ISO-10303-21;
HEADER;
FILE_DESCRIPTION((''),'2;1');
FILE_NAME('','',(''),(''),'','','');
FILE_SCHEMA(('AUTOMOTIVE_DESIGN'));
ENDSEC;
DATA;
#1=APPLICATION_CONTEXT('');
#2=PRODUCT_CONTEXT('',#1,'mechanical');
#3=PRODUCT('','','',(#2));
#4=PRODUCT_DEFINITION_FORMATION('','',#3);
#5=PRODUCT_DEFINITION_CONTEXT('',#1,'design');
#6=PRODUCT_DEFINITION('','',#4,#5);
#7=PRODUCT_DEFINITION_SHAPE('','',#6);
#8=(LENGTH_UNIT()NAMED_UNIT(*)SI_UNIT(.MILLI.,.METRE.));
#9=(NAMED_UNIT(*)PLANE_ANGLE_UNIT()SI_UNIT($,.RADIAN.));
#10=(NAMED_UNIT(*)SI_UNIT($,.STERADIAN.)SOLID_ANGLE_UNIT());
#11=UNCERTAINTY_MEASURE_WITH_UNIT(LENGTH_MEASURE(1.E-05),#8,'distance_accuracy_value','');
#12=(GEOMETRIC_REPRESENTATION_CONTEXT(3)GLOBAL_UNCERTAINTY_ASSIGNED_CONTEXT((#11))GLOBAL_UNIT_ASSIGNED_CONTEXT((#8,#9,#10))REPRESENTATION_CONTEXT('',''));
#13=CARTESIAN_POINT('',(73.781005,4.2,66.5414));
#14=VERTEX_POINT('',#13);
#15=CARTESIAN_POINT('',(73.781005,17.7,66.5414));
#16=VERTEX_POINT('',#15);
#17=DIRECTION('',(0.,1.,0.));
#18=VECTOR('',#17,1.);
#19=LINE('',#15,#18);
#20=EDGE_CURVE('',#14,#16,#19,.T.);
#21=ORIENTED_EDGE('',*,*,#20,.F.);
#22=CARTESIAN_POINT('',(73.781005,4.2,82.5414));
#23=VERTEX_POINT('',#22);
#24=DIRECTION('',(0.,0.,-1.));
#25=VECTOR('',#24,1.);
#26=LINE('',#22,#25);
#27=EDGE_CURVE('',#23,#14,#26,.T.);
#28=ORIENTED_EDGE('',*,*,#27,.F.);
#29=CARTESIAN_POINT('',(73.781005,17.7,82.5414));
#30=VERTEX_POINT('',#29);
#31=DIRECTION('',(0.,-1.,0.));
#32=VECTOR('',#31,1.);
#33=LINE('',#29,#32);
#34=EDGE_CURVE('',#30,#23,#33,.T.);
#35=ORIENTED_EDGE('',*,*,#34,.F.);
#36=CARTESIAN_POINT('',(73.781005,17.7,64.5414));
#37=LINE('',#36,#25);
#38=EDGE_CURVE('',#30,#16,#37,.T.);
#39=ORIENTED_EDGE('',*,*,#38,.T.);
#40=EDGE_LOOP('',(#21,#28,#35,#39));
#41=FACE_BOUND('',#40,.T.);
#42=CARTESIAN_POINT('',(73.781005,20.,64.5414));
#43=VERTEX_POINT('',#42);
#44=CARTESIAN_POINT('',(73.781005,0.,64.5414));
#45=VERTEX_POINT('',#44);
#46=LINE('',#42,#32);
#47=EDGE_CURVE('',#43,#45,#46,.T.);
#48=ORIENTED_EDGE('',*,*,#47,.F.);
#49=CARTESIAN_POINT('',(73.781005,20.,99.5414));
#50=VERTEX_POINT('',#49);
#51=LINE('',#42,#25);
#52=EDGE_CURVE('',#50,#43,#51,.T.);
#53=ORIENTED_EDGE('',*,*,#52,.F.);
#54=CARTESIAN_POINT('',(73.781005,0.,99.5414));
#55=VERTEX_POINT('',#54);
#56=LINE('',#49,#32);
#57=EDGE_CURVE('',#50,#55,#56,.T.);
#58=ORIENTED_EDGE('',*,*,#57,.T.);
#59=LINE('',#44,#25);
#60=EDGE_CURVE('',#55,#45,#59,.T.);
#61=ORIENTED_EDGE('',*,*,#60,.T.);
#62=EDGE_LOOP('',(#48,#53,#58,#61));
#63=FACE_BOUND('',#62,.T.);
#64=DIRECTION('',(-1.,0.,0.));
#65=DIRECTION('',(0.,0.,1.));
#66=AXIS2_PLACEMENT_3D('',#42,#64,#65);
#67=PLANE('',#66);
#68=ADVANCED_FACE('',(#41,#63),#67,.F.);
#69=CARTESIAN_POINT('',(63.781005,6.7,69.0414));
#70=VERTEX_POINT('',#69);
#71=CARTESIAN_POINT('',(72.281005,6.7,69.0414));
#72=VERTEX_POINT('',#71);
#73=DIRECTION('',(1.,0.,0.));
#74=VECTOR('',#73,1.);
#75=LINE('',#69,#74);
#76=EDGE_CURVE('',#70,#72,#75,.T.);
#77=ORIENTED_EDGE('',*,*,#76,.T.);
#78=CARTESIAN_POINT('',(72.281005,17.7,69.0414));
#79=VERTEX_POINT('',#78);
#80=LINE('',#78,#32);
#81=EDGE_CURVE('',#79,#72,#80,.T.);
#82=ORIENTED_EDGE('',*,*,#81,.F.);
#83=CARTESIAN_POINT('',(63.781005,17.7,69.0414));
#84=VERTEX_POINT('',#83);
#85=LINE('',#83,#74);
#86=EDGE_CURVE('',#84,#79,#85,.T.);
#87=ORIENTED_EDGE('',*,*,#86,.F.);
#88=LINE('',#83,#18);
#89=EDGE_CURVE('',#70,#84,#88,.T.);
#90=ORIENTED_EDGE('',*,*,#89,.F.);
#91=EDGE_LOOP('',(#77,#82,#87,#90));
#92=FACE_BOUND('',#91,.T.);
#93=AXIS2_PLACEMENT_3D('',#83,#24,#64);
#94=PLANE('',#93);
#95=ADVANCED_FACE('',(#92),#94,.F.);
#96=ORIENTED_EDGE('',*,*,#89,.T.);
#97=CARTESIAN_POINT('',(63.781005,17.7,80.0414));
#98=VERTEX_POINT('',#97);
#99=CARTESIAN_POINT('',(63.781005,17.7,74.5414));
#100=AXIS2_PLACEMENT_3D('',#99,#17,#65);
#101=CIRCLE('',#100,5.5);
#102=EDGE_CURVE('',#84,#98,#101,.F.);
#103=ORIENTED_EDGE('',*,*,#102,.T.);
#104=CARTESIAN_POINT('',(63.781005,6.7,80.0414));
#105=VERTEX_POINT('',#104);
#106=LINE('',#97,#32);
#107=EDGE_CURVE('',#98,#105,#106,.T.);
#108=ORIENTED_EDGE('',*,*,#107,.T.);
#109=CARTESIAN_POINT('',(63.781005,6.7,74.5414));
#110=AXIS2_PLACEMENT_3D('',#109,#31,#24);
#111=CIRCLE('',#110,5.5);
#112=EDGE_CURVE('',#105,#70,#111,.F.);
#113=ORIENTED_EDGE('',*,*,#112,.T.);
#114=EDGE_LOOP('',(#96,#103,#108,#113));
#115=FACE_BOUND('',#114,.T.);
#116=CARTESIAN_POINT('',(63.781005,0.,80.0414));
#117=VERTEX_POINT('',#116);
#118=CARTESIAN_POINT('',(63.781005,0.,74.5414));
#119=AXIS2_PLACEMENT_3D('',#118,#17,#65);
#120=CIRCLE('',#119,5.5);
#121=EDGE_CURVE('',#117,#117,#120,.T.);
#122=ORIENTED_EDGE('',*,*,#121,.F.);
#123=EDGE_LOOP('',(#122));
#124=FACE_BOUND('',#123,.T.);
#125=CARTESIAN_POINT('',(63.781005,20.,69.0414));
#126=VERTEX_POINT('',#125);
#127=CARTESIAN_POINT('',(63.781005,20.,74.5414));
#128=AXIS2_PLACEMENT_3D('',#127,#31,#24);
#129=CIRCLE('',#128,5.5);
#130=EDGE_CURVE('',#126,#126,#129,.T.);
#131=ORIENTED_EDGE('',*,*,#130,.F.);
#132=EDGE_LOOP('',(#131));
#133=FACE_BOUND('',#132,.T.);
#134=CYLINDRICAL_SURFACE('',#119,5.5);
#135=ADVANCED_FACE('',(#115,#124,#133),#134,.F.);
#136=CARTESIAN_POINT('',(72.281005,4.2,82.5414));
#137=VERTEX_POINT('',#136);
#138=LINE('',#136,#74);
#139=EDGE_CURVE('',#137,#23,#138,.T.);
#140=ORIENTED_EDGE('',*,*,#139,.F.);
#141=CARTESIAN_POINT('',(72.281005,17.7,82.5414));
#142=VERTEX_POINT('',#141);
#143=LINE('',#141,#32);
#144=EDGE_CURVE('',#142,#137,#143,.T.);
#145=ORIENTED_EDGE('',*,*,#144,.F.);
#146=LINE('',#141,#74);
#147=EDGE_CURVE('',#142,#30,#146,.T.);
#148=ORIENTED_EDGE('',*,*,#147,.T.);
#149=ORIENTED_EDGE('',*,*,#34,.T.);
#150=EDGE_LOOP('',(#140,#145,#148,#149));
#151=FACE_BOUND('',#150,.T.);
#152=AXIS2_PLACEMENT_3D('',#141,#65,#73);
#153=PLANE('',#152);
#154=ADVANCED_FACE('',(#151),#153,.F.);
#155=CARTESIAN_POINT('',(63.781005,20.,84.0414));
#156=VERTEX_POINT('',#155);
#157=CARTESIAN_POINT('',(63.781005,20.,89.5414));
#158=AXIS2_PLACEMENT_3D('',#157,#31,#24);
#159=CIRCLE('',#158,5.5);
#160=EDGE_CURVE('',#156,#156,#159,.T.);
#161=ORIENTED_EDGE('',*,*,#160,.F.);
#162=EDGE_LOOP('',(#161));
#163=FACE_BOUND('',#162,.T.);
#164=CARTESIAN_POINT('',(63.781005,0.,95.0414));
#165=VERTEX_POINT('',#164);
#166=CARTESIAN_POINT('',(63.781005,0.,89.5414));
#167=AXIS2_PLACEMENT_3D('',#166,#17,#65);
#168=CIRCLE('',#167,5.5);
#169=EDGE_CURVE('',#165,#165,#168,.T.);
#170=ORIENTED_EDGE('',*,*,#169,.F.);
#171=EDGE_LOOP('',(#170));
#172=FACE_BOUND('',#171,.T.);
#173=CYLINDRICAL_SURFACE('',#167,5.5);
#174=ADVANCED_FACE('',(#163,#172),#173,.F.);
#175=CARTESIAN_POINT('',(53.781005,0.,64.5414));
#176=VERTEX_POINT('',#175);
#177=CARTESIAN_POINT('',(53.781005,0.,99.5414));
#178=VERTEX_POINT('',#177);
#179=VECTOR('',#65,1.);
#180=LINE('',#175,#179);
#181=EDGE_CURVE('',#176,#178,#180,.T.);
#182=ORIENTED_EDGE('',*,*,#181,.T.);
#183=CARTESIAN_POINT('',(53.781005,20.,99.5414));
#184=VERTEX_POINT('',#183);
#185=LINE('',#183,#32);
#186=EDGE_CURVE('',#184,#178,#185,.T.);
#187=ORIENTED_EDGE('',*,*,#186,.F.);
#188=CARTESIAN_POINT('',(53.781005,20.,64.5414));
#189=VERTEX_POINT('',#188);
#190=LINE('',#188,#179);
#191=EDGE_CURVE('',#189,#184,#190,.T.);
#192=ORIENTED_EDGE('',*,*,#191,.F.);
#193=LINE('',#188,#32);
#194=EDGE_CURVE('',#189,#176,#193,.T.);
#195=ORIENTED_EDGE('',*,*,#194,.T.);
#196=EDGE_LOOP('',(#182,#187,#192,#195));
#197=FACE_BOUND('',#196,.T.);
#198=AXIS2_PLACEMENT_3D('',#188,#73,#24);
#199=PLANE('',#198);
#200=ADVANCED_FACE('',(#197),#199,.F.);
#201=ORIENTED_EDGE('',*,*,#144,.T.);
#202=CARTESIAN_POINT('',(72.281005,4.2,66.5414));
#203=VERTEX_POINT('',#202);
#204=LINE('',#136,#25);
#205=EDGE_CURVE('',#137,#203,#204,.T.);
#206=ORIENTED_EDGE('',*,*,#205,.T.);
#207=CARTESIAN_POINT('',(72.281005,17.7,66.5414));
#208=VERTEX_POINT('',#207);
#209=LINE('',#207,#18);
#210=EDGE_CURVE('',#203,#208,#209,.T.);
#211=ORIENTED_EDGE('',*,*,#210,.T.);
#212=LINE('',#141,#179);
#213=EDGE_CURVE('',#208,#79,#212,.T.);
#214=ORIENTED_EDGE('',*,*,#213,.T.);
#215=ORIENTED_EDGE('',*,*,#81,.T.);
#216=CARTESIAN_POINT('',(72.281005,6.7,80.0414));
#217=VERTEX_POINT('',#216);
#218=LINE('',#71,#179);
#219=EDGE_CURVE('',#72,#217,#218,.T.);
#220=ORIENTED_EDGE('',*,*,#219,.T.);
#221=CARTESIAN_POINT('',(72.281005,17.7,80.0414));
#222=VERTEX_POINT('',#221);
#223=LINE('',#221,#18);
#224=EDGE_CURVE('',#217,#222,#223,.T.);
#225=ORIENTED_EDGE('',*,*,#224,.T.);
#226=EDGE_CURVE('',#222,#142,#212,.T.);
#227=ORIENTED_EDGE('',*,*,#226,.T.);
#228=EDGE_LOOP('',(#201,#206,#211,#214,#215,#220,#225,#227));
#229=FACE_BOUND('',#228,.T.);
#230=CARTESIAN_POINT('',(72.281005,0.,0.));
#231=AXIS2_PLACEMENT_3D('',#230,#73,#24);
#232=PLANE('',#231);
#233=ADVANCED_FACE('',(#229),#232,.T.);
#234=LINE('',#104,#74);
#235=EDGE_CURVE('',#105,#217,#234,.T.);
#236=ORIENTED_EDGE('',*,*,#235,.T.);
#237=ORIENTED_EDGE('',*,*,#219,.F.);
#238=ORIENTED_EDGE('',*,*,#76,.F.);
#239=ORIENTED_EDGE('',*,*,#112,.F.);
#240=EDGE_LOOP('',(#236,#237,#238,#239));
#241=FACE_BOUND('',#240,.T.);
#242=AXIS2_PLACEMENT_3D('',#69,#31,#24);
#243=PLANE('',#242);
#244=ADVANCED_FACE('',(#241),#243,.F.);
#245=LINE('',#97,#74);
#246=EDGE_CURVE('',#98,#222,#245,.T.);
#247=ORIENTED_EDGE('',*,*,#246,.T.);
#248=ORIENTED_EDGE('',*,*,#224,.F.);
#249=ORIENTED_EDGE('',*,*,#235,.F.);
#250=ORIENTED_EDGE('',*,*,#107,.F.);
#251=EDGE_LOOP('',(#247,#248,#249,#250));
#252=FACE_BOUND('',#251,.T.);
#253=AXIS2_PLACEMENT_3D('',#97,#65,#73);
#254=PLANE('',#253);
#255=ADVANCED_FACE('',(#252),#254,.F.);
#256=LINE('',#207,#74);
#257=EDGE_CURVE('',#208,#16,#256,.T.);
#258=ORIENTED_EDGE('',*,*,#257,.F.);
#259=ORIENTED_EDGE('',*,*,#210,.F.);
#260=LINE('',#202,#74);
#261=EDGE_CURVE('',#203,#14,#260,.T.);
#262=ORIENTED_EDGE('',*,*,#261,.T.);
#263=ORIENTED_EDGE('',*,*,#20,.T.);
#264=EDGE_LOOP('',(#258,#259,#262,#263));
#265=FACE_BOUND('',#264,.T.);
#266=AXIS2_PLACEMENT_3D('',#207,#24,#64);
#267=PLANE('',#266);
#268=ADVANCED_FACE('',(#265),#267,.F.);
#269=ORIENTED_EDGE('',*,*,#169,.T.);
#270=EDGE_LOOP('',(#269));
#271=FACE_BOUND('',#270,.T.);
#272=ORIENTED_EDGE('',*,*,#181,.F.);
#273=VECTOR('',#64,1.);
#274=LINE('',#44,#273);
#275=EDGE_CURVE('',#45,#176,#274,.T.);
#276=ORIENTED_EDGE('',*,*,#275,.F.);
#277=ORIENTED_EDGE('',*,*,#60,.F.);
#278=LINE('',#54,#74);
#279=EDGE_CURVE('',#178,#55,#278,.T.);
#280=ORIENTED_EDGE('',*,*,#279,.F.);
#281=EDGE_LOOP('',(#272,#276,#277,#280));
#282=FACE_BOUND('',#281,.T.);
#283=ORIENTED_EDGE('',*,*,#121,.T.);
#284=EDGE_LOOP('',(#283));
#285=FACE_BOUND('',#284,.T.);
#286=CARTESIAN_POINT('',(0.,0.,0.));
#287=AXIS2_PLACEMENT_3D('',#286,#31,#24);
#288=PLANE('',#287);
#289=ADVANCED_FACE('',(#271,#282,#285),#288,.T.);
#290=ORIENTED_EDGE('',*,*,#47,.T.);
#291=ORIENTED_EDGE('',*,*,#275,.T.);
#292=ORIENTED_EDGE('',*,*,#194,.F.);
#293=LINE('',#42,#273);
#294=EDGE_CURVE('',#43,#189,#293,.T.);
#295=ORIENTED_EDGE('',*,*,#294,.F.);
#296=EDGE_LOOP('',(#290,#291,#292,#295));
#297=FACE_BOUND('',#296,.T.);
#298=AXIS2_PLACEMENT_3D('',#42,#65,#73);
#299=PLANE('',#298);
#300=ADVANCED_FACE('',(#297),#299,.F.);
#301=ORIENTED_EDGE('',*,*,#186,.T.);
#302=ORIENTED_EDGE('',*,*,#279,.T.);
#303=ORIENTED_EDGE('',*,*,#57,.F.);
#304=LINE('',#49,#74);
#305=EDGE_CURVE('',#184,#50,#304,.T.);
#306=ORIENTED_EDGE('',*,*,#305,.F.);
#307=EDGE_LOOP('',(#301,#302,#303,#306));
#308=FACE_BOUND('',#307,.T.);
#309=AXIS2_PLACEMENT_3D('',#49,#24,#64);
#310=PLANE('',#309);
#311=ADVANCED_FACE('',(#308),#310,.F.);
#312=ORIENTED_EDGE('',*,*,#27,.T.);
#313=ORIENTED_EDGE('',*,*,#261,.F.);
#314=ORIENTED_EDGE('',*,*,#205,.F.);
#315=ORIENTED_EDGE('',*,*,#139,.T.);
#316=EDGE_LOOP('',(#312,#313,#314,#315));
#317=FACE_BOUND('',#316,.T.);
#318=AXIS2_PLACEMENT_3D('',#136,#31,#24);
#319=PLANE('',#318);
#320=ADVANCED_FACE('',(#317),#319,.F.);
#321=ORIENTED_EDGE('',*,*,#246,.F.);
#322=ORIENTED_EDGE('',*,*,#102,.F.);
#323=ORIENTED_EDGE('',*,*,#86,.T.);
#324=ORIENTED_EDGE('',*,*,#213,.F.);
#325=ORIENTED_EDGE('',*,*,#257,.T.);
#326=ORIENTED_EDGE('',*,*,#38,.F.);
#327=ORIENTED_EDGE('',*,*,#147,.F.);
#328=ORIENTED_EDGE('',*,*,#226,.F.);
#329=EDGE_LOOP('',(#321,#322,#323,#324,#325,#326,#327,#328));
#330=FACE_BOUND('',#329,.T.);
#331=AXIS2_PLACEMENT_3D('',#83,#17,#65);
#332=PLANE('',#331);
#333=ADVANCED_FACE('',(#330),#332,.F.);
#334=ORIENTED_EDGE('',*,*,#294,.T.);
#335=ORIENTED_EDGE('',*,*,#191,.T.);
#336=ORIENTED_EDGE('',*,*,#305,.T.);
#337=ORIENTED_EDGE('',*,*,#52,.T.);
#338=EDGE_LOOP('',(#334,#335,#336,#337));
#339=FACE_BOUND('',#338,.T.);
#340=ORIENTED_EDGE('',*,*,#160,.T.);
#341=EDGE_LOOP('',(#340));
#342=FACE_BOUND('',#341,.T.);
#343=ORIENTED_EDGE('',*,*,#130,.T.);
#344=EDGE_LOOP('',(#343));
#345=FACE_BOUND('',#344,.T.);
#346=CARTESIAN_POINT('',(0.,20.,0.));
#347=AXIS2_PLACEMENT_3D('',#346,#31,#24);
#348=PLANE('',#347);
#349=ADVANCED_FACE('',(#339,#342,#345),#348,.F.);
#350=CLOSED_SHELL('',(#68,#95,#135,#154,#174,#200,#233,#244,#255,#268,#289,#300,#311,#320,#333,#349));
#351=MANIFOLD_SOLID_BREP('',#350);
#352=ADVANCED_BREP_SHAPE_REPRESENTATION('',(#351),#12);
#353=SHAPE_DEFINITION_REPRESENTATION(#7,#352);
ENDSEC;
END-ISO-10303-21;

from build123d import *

# Parameters (mm, degrees)
CROQUIS1_W                 = 20
CROQUIS1_H                 = 35
CROQUIS1_R                 = 5
SALIENTE_EXTRUIR1_DEPTH    = 20
CROQUIS2_R                 = 2
SALIENTE_EXTRUIR2_DEPTH    = 8
CORTAR_EXTRUIR1_DEPTH      = 131.371097716
CORTAR_EXTRUIR1_DEPTH_BACK = 131.371097716
CROQUIS3_R                 = 5.5
CROQUIS4_W                 = 11
CROQUIS4_H                 = 11
CORTAR_EXTRUIR2_DEPTH      = 18
CROQUIS7_W                 = 16
CROQUIS7_H                 = 13.5
CORTAR_EXTRUIR3_DEPTH      = 1.5


with BuildPart() as part:
    # Croquis1 → Saliente-Extruir1 (new body)
    with BuildSketch(Plane(origin=(0, 0, 0), x_dir=(1, 0, 0), z_dir=(0, 1, 0))):
        with Locations((63.781004701, -82.04140038)):
            Rectangle(CROQUIS1_W, CROQUIS1_H)
        with Locations(Location((63.781004701, -89.54140038, 0), (0, 0, 270))):
            Circle(CROQUIS1_R, mode=Mode.SUBTRACT)
        with Locations(Location((63.781004701, -74.54140038, 0), (0, 0, 270))):
            Circle(CROQUIS1_R, mode=Mode.SUBTRACT)
    extrude(amount=SALIENTE_EXTRUIR1_DEPTH)

    # Croquis2 → Saliente-Extruir2 (add)
    with BuildSketch(Plane(origin=(73.781004701, 0, 0), x_dir=(0, 0, -1), z_dir=(1, 0, 0))):
        with Locations(Location((-74.54140038, 12.2, 0), (0, 0, 180))):
            Circle(CROQUIS2_R)
    extrude(amount=SALIENTE_EXTRUIR2_DEPTH)

    # Croquis3 → Cortar-Extruir1 (cut, two sides: drawn at the far end of the back side and taken through both)
    with BuildSketch(Plane(origin=(0, 20, 0), x_dir=(1, 0, 0), z_dir=(0, 1, 0)).offset(-CORTAR_EXTRUIR1_DEPTH_BACK)):
        with Locations(Location((63.781004701, -74.54140038, 0), (0, 0, 270))):
            Circle(CROQUIS3_R)
        with Locations(Location((63.781004701, -89.54140038, 0), (0, 0, 270))):
            Circle(CROQUIS3_R)
    extrude(amount=CORTAR_EXTRUIR1_DEPTH + CORTAR_EXTRUIR1_DEPTH_BACK, mode=Mode.SUBTRACT)

    # Croquis4 → Cortar-Extruir2 (cut)
    with BuildSketch(Plane(origin=(81.781004701, 0, 0), x_dir=(0, 0, -1), z_dir=(1, 0, 0))):
        with Locations((-74.54140038, 12.2)):
            Rectangle(CROQUIS4_W, CROQUIS4_H)
    extrude(amount=-CORTAR_EXTRUIR2_DEPTH, mode=Mode.SUBTRACT)

    # Croquis7 → Cortar-Extruir3 (cut)
    with BuildSketch(Plane(origin=(73.781004701, 0, 0), x_dir=(0, 0, -1), z_dir=(1, 0, 0))):
        with Locations((-74.54140038, 10.95)):
            Rectangle(CROQUIS7_W, CROQUIS7_H)
    extrude(amount=-CORTAR_EXTRUIR3_DEPTH, mode=Mode.SUBTRACT)


solid = part.part
